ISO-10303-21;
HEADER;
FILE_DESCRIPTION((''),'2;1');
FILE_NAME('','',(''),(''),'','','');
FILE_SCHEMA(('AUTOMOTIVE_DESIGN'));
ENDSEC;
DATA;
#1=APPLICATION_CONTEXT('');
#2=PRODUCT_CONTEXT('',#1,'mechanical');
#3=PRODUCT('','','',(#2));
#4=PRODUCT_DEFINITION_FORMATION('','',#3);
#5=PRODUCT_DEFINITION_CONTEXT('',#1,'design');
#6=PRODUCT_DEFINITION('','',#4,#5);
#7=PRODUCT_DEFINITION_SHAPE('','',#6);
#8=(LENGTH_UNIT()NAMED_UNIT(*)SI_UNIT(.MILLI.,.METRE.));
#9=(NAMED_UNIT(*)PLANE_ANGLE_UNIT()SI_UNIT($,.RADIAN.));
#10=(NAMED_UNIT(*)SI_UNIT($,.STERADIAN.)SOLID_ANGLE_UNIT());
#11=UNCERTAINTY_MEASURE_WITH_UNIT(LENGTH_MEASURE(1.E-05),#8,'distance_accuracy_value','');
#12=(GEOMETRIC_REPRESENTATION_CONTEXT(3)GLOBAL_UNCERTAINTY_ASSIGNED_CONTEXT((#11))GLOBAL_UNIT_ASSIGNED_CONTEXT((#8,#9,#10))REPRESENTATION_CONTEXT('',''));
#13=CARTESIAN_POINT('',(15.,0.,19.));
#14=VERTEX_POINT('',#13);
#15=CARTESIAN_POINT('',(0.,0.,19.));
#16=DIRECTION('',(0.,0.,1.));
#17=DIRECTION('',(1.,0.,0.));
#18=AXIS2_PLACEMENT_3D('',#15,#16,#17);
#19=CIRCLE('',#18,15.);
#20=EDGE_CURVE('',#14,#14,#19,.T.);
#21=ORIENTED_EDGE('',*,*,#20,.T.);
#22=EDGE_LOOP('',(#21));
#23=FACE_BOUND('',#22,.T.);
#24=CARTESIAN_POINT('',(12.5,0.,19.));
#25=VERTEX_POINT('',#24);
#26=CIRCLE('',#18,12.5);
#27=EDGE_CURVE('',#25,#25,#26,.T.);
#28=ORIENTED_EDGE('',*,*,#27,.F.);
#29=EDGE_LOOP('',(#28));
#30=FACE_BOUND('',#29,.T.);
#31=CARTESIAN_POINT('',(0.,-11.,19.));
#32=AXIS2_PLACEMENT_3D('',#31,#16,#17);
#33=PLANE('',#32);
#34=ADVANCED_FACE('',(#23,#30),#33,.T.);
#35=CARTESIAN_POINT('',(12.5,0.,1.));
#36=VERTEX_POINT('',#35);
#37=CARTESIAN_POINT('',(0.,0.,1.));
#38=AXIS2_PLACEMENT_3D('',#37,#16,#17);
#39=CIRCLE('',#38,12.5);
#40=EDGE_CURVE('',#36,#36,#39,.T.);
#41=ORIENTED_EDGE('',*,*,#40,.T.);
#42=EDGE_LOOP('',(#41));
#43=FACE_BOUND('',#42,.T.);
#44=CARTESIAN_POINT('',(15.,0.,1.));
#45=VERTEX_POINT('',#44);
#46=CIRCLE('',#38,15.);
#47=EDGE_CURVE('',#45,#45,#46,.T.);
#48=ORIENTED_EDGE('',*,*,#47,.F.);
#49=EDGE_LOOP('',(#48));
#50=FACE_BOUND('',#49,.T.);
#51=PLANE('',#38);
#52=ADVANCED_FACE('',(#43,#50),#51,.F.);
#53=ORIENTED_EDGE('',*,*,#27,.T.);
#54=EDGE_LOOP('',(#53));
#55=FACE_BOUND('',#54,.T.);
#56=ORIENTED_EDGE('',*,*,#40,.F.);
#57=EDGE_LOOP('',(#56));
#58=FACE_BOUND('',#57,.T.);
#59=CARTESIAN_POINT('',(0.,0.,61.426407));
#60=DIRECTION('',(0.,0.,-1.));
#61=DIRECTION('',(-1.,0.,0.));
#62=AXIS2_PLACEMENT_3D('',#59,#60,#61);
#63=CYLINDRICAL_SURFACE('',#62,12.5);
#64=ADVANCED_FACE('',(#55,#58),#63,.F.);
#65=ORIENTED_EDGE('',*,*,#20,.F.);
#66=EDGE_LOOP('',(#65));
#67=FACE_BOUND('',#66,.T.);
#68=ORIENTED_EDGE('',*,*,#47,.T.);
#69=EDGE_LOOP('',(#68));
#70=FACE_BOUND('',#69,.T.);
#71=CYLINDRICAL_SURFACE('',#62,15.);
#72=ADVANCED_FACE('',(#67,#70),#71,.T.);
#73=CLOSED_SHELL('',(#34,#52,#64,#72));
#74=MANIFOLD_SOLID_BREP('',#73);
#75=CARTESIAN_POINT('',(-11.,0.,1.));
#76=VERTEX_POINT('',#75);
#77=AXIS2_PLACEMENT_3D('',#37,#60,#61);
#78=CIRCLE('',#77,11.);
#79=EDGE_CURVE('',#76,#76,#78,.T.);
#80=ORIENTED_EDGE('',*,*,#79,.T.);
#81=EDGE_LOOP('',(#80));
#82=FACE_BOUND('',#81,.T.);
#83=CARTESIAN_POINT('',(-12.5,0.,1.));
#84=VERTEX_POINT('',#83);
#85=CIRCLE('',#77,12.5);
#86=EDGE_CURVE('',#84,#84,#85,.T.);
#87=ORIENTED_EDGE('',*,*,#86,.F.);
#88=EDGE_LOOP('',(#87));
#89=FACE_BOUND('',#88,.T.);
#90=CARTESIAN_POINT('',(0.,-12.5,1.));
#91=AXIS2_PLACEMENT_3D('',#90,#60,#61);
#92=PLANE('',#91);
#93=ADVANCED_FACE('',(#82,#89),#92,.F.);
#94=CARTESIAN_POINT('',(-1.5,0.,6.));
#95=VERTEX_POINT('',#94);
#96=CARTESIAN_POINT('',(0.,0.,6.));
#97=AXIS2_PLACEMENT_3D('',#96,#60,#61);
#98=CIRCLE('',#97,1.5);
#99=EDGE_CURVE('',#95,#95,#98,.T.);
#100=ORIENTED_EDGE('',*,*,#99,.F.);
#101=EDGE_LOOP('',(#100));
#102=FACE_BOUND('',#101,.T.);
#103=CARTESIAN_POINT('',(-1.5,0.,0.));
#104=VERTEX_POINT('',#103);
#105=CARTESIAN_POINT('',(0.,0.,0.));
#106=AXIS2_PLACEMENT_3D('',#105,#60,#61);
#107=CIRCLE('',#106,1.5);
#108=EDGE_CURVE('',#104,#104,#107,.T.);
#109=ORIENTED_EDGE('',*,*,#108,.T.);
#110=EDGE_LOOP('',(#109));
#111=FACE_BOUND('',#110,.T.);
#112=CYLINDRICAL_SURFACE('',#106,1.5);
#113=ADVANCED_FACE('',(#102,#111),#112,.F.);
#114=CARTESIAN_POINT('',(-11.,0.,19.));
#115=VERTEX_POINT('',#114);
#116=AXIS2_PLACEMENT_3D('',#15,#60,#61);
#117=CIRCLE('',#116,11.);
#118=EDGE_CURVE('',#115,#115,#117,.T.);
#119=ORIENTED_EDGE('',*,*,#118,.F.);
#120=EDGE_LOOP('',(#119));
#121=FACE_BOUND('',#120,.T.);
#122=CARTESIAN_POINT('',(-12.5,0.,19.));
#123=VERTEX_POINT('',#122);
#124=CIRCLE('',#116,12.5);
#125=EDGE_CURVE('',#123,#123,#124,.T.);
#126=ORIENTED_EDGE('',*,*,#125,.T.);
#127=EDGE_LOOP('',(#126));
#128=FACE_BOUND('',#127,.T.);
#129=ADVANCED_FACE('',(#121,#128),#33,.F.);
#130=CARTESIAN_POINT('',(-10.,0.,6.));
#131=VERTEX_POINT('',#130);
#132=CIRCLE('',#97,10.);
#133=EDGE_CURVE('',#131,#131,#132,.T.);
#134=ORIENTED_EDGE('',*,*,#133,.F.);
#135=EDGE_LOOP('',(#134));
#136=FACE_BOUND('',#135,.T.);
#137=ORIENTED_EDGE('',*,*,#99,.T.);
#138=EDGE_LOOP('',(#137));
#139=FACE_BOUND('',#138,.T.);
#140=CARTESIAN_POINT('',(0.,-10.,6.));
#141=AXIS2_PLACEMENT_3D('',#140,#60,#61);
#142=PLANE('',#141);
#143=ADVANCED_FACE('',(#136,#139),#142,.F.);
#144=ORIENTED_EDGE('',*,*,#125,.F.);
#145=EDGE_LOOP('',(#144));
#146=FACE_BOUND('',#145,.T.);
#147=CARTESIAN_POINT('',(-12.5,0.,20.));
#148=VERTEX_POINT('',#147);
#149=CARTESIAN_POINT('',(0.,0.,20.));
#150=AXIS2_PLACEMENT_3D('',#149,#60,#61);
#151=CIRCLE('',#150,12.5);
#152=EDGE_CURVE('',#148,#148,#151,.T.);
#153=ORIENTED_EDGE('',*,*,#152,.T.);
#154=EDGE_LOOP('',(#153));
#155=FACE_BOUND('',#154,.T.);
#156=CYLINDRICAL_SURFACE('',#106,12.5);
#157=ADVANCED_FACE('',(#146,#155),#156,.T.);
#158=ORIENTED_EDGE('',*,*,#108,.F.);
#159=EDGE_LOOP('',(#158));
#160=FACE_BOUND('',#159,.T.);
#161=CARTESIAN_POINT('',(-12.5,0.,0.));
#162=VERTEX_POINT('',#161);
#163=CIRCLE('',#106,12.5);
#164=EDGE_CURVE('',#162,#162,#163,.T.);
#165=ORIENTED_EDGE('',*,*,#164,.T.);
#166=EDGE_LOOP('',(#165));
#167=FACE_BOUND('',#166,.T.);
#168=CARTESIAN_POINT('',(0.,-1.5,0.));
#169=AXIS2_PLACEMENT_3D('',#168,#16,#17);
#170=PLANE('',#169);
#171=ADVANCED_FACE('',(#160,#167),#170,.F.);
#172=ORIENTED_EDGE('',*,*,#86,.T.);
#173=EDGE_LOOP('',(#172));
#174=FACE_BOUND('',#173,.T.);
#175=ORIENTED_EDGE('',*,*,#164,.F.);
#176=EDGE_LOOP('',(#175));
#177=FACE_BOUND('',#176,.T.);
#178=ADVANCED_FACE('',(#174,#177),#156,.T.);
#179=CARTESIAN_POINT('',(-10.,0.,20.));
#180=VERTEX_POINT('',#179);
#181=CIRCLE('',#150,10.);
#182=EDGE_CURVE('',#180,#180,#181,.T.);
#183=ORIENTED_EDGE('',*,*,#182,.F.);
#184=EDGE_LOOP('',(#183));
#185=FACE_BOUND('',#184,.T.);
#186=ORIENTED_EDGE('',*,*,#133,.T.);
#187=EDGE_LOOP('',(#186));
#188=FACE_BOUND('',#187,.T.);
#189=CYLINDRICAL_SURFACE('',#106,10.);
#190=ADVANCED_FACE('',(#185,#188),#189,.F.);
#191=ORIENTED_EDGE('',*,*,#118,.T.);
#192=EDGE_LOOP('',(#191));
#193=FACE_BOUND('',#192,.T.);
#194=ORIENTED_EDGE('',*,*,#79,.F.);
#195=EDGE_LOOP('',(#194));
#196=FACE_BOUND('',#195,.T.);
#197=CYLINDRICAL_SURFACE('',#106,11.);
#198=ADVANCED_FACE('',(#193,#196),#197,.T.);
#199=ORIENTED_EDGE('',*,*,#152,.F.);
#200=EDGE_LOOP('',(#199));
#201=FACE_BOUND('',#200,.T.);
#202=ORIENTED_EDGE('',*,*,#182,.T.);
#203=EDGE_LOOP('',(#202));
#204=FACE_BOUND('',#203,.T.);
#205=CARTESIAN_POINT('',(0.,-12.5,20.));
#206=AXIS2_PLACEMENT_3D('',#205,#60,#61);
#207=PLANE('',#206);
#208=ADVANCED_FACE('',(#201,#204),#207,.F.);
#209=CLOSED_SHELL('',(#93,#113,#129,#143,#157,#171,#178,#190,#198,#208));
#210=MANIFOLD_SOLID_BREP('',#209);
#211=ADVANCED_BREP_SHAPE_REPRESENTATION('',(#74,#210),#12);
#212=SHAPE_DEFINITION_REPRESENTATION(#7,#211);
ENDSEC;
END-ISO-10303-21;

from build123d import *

# Parameters (mm, degrees)
SALIENTE_EXTRUIR1_START = 18
CROQUIS2_R              = 15
CROQUIS2_R_2            = 12.5
SALIENTE_EXTRUIR1_DEPTH = 18


with BuildPart() as part:
    # Croquis1 → Revolución1 (revolve)
    with BuildSketch(Plane(origin=(0, 0, 0), x_dir=(0, 0, -1), z_dir=(1, 0, 0)), mode=Mode.PRIVATE) as revoluci_n1_sk:
        Polygon((0, -1.5), (0, -12.5), (-1, -12.5), (-1, -11), (-19, -11), (-19, -12.5), (-20, -12.5), (-20, -10), (-6, -10), (-6, -1.5), align=None)
    revolve(revoluci_n1_sk.sketch.rotate(Axis((0, 0, 0), (0, 0, 1)), 270), axis=Axis((0, 0, 0), (0, 0, 1)))


with BuildPart() as body_2:
    # Croquis2 → Saliente-Extruir1 (new body)
    with BuildSketch(Plane.XY.offset(1).offset(SALIENTE_EXTRUIR1_START)):
        Circle(CROQUIS2_R)
        Circle(CROQUIS2_R_2, mode=Mode.SUBTRACT)
    extrude(amount=-SALIENTE_EXTRUIR1_DEPTH)


solid = Compound([part.part, body_2.part])
